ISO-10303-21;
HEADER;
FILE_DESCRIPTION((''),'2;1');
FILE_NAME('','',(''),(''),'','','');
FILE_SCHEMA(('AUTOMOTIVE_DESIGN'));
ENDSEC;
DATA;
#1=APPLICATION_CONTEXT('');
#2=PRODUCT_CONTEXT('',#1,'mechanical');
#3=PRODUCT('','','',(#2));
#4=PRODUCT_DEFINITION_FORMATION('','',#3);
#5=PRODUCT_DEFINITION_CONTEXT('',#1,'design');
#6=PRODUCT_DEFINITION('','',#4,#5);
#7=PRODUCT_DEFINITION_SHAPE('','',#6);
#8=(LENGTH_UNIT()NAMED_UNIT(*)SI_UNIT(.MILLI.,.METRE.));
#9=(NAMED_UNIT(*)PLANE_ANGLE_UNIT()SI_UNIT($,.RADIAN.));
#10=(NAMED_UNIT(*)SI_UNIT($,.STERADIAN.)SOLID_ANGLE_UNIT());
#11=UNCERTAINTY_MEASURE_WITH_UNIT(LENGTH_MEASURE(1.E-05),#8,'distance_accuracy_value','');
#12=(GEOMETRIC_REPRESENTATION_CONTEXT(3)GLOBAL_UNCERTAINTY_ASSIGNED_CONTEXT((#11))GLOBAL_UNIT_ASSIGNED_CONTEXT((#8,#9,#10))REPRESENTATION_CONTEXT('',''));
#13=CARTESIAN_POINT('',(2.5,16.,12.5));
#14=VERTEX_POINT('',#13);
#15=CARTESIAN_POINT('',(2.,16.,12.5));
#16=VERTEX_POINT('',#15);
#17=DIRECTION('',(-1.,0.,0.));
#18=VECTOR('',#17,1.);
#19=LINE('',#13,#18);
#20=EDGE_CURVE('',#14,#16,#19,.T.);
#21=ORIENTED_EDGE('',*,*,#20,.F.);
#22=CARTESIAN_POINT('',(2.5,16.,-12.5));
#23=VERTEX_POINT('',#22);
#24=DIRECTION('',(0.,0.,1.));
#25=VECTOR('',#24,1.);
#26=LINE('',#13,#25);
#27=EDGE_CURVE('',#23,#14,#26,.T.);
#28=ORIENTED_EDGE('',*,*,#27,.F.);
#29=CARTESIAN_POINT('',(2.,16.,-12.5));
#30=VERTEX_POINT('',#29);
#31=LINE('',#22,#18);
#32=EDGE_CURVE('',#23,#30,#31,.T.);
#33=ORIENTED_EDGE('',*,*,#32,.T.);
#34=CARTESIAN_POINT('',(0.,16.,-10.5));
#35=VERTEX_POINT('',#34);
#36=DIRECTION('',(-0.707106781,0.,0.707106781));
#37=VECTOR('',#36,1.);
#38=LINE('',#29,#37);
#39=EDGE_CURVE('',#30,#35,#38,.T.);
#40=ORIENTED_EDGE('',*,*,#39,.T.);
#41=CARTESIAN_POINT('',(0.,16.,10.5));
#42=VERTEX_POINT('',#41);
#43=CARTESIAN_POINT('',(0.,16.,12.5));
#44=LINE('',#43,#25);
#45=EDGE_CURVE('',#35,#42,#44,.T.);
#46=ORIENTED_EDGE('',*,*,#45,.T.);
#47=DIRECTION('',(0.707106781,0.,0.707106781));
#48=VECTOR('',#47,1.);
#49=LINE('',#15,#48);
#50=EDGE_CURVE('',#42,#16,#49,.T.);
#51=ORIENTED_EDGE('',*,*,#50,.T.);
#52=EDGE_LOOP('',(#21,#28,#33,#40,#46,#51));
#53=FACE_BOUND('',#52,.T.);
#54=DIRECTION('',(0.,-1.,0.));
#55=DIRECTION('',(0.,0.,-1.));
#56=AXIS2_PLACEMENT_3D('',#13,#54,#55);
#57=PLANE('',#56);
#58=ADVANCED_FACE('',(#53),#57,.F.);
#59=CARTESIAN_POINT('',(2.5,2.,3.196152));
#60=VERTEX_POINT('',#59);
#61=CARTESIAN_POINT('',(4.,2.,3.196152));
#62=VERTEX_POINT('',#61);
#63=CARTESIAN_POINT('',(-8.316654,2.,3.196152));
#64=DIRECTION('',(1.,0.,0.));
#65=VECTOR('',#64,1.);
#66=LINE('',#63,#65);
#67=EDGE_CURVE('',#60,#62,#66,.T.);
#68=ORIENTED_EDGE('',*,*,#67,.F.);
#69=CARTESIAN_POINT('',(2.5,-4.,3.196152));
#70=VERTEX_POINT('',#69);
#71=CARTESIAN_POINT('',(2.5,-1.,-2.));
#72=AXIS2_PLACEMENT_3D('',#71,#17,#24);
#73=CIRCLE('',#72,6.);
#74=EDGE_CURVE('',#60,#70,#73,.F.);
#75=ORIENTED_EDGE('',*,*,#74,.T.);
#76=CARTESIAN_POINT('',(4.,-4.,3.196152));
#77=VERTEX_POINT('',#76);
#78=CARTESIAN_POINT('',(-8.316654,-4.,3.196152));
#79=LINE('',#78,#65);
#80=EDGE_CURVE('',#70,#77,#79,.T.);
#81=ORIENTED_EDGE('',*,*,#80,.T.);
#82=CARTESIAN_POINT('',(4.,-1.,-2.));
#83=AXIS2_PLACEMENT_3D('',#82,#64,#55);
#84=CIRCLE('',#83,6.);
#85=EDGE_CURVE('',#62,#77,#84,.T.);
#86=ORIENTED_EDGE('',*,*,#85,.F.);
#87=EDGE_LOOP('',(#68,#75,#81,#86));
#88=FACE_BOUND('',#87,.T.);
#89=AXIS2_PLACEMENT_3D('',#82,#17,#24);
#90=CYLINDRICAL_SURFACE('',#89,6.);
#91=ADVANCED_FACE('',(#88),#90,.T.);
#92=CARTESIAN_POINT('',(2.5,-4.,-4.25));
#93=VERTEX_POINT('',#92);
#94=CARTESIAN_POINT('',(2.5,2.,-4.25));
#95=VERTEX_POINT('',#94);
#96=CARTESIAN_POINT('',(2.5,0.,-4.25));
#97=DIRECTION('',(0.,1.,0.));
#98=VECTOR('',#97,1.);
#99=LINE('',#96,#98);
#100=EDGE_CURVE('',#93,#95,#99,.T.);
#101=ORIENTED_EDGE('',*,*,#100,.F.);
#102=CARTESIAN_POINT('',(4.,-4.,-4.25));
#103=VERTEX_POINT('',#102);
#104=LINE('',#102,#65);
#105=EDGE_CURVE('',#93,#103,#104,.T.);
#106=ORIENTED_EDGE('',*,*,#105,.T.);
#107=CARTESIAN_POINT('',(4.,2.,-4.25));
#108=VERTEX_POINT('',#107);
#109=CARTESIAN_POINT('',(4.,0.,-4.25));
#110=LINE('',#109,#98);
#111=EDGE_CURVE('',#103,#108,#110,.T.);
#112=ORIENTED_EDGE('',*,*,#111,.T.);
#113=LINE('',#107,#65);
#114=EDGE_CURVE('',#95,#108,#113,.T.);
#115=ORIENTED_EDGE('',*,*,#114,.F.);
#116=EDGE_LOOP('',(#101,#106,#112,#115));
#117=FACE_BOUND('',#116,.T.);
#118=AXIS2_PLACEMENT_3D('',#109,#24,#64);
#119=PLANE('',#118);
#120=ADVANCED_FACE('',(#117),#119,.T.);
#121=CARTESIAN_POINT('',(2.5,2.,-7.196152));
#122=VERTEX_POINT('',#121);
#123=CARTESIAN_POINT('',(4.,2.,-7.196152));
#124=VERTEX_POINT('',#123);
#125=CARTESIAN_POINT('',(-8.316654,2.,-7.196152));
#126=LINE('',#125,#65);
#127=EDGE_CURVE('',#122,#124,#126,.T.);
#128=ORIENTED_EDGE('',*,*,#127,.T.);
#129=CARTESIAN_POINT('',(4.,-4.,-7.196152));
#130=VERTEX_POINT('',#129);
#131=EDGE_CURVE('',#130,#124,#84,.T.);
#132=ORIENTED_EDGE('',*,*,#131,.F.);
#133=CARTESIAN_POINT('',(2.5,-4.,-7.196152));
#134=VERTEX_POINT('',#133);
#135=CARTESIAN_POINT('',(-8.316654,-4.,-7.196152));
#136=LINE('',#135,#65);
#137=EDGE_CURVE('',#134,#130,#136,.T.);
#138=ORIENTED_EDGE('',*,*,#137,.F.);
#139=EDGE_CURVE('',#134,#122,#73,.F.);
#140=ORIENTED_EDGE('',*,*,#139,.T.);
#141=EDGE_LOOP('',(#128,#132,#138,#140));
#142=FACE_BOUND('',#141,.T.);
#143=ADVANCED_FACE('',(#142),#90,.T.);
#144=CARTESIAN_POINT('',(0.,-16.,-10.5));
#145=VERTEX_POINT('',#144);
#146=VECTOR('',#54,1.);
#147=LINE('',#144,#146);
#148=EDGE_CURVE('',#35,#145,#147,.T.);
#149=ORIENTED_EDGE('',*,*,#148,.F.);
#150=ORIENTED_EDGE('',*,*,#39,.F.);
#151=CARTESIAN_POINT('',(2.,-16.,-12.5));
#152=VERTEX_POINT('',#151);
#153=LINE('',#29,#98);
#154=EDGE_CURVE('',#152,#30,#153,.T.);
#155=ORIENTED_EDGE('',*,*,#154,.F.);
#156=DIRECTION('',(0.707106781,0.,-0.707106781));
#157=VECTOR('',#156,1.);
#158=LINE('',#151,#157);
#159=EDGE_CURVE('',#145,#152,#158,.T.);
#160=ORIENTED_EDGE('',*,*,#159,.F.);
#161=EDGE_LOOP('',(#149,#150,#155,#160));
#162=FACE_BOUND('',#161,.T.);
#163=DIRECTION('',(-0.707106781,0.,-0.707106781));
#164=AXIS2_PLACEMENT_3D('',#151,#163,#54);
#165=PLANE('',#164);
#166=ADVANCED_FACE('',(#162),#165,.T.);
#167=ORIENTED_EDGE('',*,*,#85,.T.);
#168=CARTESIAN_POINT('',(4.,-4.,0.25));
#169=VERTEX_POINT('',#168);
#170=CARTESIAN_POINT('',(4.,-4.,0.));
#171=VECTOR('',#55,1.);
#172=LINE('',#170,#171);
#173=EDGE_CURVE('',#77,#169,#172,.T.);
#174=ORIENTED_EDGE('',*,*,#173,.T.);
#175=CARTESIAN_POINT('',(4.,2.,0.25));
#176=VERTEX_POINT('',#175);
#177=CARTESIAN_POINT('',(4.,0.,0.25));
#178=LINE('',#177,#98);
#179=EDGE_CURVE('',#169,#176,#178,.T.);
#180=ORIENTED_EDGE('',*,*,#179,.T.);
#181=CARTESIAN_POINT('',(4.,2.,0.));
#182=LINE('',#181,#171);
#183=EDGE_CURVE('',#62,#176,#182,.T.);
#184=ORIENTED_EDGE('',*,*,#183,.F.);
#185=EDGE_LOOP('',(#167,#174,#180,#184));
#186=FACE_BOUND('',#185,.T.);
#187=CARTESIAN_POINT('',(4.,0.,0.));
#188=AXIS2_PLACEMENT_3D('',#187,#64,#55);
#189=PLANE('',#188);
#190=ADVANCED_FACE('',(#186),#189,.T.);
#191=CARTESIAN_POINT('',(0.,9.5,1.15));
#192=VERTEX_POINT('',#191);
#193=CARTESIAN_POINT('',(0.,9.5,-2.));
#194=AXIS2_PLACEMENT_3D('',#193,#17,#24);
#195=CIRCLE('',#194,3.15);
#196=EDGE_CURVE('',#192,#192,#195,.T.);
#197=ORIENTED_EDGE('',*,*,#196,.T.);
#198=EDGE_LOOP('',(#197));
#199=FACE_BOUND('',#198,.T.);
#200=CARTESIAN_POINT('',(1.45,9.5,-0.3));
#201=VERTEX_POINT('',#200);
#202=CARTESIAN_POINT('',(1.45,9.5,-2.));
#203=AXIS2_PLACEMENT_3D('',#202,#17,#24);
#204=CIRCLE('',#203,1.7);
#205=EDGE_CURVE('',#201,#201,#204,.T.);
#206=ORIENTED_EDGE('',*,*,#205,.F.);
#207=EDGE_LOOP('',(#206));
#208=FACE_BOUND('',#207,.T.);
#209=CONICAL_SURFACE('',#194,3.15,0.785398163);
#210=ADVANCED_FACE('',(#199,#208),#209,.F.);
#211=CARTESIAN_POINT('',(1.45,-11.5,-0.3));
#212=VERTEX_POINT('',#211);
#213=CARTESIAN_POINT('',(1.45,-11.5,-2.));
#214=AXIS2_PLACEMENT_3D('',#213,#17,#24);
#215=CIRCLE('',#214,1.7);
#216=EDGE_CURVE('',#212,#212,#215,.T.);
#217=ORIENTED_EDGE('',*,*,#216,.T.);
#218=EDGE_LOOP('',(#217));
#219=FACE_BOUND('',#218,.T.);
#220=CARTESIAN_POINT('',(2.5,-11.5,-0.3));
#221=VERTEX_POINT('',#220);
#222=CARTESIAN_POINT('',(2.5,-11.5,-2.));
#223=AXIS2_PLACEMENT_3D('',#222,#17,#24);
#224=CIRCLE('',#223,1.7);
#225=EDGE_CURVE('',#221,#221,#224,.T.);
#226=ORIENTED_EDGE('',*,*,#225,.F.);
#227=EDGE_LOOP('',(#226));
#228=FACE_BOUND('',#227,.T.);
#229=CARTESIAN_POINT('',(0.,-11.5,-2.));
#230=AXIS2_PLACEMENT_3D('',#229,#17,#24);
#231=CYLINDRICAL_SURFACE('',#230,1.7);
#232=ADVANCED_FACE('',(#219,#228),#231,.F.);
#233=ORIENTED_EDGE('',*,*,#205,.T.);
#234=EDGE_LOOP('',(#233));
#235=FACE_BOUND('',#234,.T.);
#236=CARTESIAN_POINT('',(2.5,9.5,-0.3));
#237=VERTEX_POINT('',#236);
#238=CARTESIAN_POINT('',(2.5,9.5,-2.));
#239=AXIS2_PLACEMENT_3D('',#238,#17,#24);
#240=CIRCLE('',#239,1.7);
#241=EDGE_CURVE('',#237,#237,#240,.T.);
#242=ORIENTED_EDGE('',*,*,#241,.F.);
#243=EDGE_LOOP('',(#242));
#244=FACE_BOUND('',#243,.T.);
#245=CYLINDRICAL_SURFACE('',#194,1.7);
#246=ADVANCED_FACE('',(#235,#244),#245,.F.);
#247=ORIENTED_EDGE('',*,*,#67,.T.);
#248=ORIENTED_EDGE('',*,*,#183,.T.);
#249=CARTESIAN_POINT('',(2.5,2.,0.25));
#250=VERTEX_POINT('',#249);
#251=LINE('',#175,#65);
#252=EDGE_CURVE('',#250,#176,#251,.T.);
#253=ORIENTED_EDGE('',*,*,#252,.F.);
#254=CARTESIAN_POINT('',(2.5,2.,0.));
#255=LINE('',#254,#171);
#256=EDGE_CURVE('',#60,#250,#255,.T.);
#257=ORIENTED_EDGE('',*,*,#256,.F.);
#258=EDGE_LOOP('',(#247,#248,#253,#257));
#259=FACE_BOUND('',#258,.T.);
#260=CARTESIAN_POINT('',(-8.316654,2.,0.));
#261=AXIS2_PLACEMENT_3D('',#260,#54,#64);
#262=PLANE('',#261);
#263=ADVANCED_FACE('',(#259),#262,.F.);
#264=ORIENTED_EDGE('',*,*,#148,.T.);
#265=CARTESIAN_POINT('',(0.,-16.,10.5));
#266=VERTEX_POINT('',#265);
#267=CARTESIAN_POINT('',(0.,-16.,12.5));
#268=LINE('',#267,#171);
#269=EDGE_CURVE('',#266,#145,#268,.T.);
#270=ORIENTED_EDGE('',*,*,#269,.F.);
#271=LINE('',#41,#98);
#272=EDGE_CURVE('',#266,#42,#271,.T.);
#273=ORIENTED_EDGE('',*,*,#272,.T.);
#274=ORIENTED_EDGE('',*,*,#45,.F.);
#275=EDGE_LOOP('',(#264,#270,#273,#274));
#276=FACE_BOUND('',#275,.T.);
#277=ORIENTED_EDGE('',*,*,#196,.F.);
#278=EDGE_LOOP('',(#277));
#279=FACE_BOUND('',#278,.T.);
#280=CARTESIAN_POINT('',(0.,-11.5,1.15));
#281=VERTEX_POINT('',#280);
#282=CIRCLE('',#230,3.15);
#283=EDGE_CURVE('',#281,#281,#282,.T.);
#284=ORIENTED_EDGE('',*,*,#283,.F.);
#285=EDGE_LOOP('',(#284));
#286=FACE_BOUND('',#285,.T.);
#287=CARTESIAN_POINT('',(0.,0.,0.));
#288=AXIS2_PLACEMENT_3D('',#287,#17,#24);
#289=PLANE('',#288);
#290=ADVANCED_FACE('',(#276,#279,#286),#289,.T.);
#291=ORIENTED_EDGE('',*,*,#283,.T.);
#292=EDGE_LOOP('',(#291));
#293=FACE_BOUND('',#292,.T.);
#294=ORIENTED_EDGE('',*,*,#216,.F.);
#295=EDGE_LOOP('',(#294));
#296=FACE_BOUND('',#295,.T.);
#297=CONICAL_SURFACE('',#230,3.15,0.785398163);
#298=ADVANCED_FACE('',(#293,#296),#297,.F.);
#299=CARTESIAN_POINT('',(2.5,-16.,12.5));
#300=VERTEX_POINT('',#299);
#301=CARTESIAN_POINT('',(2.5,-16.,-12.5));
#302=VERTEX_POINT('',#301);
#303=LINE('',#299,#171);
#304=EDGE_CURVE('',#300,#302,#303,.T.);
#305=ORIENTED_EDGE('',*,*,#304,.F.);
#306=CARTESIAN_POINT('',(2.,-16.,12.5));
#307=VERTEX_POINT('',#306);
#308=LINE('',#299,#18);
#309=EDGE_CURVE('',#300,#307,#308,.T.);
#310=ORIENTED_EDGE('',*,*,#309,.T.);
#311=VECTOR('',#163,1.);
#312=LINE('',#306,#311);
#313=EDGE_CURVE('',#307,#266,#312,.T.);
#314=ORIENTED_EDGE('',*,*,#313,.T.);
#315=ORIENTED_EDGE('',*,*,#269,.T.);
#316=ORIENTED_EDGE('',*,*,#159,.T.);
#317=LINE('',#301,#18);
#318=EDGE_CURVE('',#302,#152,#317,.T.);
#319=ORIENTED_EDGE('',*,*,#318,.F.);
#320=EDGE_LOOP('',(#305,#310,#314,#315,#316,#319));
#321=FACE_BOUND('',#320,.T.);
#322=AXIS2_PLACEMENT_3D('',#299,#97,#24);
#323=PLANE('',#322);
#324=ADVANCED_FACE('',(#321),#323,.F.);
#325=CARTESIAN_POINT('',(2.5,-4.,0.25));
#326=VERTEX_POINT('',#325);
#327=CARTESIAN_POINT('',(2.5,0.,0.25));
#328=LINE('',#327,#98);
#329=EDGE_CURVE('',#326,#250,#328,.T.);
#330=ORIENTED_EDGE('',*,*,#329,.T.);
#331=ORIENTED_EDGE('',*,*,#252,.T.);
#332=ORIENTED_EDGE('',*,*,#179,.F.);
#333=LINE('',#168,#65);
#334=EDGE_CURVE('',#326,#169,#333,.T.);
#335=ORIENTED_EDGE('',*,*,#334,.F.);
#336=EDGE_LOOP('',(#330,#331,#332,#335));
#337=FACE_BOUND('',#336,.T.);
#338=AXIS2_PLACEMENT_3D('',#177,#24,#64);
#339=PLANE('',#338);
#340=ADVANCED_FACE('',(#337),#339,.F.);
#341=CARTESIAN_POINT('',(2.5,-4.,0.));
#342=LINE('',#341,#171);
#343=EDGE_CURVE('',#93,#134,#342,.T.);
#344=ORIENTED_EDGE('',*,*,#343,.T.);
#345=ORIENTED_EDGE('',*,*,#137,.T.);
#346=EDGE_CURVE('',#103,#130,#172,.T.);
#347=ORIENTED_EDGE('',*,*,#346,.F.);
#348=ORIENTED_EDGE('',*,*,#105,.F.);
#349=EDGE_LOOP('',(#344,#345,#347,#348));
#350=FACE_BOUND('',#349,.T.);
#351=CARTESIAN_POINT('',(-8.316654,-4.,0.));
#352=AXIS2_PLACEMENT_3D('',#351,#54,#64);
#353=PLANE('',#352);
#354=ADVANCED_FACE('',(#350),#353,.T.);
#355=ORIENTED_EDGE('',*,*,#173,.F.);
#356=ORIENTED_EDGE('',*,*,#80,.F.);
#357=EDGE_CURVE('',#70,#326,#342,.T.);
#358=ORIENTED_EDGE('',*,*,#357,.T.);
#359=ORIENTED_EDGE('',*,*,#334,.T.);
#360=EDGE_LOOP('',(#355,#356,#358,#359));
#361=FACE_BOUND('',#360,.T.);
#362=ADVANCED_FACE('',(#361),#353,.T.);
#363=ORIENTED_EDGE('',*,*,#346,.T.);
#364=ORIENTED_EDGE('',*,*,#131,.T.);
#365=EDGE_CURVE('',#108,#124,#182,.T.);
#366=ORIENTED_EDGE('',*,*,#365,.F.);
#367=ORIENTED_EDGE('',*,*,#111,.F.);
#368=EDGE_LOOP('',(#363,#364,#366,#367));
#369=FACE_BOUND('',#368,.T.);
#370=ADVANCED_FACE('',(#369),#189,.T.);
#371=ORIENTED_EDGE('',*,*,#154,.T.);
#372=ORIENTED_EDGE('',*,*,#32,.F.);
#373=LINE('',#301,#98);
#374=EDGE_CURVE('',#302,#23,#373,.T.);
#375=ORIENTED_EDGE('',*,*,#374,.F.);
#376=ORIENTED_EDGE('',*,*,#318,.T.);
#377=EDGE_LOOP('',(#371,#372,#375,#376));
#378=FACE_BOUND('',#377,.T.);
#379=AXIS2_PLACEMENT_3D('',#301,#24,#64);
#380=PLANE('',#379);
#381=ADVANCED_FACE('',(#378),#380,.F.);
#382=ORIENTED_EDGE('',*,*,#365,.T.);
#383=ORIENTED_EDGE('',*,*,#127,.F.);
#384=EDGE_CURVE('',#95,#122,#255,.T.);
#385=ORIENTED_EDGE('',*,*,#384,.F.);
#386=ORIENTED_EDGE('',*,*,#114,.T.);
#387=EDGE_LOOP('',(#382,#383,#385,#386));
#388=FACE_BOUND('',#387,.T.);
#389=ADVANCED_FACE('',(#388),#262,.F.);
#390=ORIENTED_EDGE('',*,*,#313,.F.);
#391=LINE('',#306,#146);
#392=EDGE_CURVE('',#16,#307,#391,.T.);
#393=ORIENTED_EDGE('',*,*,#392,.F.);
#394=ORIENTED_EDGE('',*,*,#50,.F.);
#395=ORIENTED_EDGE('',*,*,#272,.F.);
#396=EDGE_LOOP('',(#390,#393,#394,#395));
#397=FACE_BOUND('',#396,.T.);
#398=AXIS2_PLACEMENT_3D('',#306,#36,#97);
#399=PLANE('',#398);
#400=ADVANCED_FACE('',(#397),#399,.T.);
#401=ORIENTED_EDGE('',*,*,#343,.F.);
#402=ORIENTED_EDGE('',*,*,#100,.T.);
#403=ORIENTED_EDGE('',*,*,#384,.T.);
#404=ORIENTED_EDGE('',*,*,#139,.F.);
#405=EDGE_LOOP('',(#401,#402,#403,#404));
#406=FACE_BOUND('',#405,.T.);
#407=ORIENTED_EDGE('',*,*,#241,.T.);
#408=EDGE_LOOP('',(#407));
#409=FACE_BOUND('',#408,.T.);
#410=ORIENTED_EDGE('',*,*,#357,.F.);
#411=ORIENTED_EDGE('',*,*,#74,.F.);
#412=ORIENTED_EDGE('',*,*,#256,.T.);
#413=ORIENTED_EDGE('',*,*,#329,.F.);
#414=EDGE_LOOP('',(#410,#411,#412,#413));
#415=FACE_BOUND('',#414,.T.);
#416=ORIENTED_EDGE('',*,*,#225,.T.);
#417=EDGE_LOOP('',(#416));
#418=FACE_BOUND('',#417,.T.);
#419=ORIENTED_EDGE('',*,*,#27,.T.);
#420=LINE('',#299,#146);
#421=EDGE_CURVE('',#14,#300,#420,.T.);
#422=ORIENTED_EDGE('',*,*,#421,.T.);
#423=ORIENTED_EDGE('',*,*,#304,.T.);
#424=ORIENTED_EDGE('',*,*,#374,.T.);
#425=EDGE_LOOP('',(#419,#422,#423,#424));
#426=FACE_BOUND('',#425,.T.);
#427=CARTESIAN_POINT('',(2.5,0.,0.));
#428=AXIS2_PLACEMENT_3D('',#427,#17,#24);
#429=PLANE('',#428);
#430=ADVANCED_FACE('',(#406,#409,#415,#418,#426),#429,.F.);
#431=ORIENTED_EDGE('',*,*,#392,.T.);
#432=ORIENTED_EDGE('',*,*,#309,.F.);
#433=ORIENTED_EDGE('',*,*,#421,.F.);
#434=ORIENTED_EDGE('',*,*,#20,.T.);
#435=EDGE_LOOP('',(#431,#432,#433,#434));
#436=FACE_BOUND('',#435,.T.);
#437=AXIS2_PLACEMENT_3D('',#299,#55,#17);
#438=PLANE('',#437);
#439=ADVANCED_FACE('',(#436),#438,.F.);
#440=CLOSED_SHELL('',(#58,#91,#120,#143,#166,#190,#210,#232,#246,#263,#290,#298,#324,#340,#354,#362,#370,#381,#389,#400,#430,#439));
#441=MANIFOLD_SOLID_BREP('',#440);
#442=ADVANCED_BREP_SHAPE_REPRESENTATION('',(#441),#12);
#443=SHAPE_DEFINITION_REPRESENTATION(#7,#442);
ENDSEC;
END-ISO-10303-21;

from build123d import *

# Parameters (mm, degrees)
SKETCH_1_W                 = 25
SKETCH_1_H                 = 32
EXTRUDE_1_DEPTH            = 2.5
CHAMFER_1_SIZE             = 2
HOLE_WIZARD_M31_AT_2_COUNT = 2
HOLE_WIZARD_M31_AT_2_PITCH = 21
SKETCH_4_R                 = 6
SKETCH_4_R_2               = 3.5
EXTRUDE_2_DEPTH            = 1.5
SKETCH_5_W                 = 4.5
SKETCH_5_H                 = 16
CUT_EXTRUDE_1_DEPTH        = 1.5
CUT_EXTRUDE_2_DEPTH        = 1.5


with BuildPart() as part:
    # Эскиз1 → Бобышка-Вытянуть1 (new body)
    with BuildSketch(Plane(origin=(0, 0, 0), x_dir=(0, 0, -1), z_dir=(1, 0, 0))):
        Rectangle(SKETCH_1_W, SKETCH_1_H)
    extrude(amount=EXTRUDE_1_DEPTH)

    # Фаска1
    chamfer_1_edges = [part.edges().sort_by_distance(p)[0] for p in [
        (0, 0, 12.5),
        (0, 0, -12.5),
    ]]
    chamfer(chamfer_1_edges, length=CHAMFER_1_SIZE)

    # Эскиз3 → Зенковка для  винта с плоской головкой M31 (revolve, cut)
    with BuildSketch(Plane(origin=(0, -11.5, -2), x_dir=(0, 0, 1), z_dir=(0, 1, 0))):
        Polygon((0, 0), (0, 2.5), (1.7, 2.5), (1.7, 1.45), (3.15, 0), align=None)
    hole_wizard_m31 = revolve(axis=Axis((-6.35, -11.5, -2), (1, 0, 0)), mode=Mode.SUBTRACT)

    # Зенковка для  винта с плоской головкой M31 at 2: Зенковка для  винта с плоской головкой M31 ×2
    with Locations(*[(0, i * HOLE_WIZARD_M31_AT_2_PITCH, 0) for i in range(1, HOLE_WIZARD_M31_AT_2_COUNT)]):
        add(hole_wizard_m31, mode=Mode.SUBTRACT)

    # Эскиз4 → Бобышка-Вытянуть2 (add)
    with BuildSketch(Plane(origin=(2.5, 0, 0), x_dir=(0, 0, -1), z_dir=(1, 0, 0))):
        with Locations((2, -1)):
            Circle(SKETCH_4_R)
        with Locations((2, -1)):
            Circle(SKETCH_4_R_2, mode=Mode.SUBTRACT)
        with BuildLine():
            ThreePointArc((-0.25, 1.680951324), (-1.5, -1), (-0.25, -3.680951324))
            Line((-0.25, -3.680951324), (-0.25, 1.680951324))
        make_face()
        with BuildLine():
            Line((4.25, 1.680951324), (4.25, -3.680951324))
            ThreePointArc((4.25, -3.680951324), (5.172144385, -2.479019946), (5.5, -1))
            ThreePointArc((5.5, -1), (5.172144385, 0.479019946), (4.25, 1.680951324))
        make_face()
    extrude(amount=EXTRUDE_2_DEPTH)

    # Эскиз5 → Вырез-Вытянуть1 (cut)
    with BuildSketch(Plane(origin=(4, 0, 0), x_dir=(0, 0, -1), z_dir=(1, 0, 0))):
        with Locations((2, -1)):
            Rectangle(SKETCH_5_W, SKETCH_5_H)
    extrude(amount=-CUT_EXTRUDE_1_DEPTH, mode=Mode.SUBTRACT)

    # Эскиз6 → Вырез-Вытянуть2 (cut)
    with BuildSketch(Plane(origin=(4, 0, 0), x_dir=(0, 0, -1), z_dir=(1, 0, 0))):
        with BuildLine():
            ThreePointArc((4.25, 4.562148865), (0.047794779, 4.67352578), (-3.196152423, 2))
            Line((-3.196152423, 2), (4.25, 2))
            Line((4.25, 2), (4.25, 4.562148865))
        make_face()
        with BuildLine():
            Line((4.25, 4.562148865), (4.25, 2))
            Line((4.25, 2), (7.196152423, 2))
            ThreePointArc((7.196152423, 2), (5.937314844, 3.527422205), (4.25, 4.562148865))
        make_face()
        with BuildLine():
            Line((4.25, -4), (-3.196152423, -4))
            ThreePointArc((-3.196152423, -4), (0.047794779, -6.67352578), (4.25, -6.562148865))
            Line((4.25, -6.562148865), (4.25, -4))
        make_face()
        with BuildLine():
            Line((7.196152423, -4), (4.25, -4))
            Line((4.25, -4), (4.25, -6.562148865))
            ThreePointArc((4.25, -6.562148865), (5.937314844, -5.527422205), (7.196152423, -4))
        make_face()
    extrude(amount=-CUT_EXTRUDE_2_DEPTH, mode=Mode.SUBTRACT)


solid = part.part
